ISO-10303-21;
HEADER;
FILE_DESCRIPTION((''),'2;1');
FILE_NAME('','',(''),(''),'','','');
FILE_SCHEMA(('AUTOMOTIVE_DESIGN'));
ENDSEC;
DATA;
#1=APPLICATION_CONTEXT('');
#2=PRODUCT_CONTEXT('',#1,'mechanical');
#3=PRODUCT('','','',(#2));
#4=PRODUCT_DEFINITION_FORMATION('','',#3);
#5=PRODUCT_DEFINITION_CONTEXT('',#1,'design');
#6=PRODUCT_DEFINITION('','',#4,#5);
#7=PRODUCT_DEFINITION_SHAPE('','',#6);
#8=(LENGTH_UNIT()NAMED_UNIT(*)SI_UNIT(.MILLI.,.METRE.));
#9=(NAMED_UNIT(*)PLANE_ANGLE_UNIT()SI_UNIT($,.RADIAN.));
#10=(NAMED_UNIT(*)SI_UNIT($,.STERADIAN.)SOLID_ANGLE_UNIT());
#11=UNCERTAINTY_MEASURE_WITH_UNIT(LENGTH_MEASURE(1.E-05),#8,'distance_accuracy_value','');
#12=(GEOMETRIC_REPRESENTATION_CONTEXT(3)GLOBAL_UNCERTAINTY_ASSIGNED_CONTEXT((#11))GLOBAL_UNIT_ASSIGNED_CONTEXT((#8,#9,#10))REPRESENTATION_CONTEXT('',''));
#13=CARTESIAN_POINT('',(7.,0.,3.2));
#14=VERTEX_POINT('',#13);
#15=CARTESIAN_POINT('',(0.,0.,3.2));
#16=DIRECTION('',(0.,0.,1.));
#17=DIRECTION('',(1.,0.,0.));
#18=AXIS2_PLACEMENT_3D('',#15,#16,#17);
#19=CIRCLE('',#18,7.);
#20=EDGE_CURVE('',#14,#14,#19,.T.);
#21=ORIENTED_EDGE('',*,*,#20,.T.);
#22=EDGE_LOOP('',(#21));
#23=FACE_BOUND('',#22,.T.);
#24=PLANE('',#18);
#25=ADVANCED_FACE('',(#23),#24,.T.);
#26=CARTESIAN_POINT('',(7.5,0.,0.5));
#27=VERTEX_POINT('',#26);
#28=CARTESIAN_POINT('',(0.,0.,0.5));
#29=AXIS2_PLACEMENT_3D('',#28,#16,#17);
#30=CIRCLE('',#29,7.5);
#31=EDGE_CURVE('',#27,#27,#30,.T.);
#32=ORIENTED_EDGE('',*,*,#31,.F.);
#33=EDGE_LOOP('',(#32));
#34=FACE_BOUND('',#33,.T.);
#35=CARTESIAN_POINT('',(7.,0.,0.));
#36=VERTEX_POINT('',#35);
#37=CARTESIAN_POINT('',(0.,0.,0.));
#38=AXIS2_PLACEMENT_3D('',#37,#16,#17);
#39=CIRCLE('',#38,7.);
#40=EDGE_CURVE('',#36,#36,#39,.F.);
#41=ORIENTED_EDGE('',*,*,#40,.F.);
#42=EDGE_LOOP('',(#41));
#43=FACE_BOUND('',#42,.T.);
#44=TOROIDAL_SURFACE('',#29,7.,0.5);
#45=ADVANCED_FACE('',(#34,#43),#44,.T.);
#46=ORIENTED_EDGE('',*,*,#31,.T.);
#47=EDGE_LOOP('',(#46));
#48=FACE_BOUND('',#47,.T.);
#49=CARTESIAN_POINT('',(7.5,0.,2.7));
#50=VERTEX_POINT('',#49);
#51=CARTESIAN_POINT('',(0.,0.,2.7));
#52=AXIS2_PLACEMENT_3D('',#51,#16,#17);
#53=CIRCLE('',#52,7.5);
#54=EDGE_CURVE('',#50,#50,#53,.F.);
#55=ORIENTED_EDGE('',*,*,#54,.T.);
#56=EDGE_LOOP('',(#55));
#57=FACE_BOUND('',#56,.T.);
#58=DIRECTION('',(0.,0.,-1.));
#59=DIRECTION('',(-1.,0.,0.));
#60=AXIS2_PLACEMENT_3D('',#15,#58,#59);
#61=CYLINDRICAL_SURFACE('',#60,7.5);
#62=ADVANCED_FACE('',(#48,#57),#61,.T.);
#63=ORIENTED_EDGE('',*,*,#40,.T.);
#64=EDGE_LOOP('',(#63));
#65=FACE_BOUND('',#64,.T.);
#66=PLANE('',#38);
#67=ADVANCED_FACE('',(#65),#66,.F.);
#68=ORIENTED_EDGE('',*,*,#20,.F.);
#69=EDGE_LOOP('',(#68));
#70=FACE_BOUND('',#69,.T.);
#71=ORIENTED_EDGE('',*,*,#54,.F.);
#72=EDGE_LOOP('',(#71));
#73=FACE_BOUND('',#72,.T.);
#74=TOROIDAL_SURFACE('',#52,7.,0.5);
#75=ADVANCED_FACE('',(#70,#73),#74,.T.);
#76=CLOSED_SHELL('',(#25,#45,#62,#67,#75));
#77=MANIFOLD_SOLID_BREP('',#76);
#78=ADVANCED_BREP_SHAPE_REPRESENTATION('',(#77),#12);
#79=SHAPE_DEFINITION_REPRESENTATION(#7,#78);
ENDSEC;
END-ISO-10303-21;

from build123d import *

# Parameters (mm, degrees)
SKETCH1_R           = 7.5
BOSS_EXTRUDE1_DEPTH = 3.2
FILLET1_R           = 0.5


with BuildPart() as part:
    # Sketch1 → Boss-Extrude1 (new body)
    with BuildSketch(Plane.XY):
        Circle(SKETCH1_R)
    extrude(amount=BOSS_EXTRUDE1_DEPTH)

    # Fillet1
    fillet1_edges = [part.edges().sort_by_distance(p)[0] for p in [
        (-7.5, 0, 0),
        (-7.5, 0, 3.2),
    ]]
    fillet(fillet1_edges, radius=FILLET1_R)


solid = part.part
